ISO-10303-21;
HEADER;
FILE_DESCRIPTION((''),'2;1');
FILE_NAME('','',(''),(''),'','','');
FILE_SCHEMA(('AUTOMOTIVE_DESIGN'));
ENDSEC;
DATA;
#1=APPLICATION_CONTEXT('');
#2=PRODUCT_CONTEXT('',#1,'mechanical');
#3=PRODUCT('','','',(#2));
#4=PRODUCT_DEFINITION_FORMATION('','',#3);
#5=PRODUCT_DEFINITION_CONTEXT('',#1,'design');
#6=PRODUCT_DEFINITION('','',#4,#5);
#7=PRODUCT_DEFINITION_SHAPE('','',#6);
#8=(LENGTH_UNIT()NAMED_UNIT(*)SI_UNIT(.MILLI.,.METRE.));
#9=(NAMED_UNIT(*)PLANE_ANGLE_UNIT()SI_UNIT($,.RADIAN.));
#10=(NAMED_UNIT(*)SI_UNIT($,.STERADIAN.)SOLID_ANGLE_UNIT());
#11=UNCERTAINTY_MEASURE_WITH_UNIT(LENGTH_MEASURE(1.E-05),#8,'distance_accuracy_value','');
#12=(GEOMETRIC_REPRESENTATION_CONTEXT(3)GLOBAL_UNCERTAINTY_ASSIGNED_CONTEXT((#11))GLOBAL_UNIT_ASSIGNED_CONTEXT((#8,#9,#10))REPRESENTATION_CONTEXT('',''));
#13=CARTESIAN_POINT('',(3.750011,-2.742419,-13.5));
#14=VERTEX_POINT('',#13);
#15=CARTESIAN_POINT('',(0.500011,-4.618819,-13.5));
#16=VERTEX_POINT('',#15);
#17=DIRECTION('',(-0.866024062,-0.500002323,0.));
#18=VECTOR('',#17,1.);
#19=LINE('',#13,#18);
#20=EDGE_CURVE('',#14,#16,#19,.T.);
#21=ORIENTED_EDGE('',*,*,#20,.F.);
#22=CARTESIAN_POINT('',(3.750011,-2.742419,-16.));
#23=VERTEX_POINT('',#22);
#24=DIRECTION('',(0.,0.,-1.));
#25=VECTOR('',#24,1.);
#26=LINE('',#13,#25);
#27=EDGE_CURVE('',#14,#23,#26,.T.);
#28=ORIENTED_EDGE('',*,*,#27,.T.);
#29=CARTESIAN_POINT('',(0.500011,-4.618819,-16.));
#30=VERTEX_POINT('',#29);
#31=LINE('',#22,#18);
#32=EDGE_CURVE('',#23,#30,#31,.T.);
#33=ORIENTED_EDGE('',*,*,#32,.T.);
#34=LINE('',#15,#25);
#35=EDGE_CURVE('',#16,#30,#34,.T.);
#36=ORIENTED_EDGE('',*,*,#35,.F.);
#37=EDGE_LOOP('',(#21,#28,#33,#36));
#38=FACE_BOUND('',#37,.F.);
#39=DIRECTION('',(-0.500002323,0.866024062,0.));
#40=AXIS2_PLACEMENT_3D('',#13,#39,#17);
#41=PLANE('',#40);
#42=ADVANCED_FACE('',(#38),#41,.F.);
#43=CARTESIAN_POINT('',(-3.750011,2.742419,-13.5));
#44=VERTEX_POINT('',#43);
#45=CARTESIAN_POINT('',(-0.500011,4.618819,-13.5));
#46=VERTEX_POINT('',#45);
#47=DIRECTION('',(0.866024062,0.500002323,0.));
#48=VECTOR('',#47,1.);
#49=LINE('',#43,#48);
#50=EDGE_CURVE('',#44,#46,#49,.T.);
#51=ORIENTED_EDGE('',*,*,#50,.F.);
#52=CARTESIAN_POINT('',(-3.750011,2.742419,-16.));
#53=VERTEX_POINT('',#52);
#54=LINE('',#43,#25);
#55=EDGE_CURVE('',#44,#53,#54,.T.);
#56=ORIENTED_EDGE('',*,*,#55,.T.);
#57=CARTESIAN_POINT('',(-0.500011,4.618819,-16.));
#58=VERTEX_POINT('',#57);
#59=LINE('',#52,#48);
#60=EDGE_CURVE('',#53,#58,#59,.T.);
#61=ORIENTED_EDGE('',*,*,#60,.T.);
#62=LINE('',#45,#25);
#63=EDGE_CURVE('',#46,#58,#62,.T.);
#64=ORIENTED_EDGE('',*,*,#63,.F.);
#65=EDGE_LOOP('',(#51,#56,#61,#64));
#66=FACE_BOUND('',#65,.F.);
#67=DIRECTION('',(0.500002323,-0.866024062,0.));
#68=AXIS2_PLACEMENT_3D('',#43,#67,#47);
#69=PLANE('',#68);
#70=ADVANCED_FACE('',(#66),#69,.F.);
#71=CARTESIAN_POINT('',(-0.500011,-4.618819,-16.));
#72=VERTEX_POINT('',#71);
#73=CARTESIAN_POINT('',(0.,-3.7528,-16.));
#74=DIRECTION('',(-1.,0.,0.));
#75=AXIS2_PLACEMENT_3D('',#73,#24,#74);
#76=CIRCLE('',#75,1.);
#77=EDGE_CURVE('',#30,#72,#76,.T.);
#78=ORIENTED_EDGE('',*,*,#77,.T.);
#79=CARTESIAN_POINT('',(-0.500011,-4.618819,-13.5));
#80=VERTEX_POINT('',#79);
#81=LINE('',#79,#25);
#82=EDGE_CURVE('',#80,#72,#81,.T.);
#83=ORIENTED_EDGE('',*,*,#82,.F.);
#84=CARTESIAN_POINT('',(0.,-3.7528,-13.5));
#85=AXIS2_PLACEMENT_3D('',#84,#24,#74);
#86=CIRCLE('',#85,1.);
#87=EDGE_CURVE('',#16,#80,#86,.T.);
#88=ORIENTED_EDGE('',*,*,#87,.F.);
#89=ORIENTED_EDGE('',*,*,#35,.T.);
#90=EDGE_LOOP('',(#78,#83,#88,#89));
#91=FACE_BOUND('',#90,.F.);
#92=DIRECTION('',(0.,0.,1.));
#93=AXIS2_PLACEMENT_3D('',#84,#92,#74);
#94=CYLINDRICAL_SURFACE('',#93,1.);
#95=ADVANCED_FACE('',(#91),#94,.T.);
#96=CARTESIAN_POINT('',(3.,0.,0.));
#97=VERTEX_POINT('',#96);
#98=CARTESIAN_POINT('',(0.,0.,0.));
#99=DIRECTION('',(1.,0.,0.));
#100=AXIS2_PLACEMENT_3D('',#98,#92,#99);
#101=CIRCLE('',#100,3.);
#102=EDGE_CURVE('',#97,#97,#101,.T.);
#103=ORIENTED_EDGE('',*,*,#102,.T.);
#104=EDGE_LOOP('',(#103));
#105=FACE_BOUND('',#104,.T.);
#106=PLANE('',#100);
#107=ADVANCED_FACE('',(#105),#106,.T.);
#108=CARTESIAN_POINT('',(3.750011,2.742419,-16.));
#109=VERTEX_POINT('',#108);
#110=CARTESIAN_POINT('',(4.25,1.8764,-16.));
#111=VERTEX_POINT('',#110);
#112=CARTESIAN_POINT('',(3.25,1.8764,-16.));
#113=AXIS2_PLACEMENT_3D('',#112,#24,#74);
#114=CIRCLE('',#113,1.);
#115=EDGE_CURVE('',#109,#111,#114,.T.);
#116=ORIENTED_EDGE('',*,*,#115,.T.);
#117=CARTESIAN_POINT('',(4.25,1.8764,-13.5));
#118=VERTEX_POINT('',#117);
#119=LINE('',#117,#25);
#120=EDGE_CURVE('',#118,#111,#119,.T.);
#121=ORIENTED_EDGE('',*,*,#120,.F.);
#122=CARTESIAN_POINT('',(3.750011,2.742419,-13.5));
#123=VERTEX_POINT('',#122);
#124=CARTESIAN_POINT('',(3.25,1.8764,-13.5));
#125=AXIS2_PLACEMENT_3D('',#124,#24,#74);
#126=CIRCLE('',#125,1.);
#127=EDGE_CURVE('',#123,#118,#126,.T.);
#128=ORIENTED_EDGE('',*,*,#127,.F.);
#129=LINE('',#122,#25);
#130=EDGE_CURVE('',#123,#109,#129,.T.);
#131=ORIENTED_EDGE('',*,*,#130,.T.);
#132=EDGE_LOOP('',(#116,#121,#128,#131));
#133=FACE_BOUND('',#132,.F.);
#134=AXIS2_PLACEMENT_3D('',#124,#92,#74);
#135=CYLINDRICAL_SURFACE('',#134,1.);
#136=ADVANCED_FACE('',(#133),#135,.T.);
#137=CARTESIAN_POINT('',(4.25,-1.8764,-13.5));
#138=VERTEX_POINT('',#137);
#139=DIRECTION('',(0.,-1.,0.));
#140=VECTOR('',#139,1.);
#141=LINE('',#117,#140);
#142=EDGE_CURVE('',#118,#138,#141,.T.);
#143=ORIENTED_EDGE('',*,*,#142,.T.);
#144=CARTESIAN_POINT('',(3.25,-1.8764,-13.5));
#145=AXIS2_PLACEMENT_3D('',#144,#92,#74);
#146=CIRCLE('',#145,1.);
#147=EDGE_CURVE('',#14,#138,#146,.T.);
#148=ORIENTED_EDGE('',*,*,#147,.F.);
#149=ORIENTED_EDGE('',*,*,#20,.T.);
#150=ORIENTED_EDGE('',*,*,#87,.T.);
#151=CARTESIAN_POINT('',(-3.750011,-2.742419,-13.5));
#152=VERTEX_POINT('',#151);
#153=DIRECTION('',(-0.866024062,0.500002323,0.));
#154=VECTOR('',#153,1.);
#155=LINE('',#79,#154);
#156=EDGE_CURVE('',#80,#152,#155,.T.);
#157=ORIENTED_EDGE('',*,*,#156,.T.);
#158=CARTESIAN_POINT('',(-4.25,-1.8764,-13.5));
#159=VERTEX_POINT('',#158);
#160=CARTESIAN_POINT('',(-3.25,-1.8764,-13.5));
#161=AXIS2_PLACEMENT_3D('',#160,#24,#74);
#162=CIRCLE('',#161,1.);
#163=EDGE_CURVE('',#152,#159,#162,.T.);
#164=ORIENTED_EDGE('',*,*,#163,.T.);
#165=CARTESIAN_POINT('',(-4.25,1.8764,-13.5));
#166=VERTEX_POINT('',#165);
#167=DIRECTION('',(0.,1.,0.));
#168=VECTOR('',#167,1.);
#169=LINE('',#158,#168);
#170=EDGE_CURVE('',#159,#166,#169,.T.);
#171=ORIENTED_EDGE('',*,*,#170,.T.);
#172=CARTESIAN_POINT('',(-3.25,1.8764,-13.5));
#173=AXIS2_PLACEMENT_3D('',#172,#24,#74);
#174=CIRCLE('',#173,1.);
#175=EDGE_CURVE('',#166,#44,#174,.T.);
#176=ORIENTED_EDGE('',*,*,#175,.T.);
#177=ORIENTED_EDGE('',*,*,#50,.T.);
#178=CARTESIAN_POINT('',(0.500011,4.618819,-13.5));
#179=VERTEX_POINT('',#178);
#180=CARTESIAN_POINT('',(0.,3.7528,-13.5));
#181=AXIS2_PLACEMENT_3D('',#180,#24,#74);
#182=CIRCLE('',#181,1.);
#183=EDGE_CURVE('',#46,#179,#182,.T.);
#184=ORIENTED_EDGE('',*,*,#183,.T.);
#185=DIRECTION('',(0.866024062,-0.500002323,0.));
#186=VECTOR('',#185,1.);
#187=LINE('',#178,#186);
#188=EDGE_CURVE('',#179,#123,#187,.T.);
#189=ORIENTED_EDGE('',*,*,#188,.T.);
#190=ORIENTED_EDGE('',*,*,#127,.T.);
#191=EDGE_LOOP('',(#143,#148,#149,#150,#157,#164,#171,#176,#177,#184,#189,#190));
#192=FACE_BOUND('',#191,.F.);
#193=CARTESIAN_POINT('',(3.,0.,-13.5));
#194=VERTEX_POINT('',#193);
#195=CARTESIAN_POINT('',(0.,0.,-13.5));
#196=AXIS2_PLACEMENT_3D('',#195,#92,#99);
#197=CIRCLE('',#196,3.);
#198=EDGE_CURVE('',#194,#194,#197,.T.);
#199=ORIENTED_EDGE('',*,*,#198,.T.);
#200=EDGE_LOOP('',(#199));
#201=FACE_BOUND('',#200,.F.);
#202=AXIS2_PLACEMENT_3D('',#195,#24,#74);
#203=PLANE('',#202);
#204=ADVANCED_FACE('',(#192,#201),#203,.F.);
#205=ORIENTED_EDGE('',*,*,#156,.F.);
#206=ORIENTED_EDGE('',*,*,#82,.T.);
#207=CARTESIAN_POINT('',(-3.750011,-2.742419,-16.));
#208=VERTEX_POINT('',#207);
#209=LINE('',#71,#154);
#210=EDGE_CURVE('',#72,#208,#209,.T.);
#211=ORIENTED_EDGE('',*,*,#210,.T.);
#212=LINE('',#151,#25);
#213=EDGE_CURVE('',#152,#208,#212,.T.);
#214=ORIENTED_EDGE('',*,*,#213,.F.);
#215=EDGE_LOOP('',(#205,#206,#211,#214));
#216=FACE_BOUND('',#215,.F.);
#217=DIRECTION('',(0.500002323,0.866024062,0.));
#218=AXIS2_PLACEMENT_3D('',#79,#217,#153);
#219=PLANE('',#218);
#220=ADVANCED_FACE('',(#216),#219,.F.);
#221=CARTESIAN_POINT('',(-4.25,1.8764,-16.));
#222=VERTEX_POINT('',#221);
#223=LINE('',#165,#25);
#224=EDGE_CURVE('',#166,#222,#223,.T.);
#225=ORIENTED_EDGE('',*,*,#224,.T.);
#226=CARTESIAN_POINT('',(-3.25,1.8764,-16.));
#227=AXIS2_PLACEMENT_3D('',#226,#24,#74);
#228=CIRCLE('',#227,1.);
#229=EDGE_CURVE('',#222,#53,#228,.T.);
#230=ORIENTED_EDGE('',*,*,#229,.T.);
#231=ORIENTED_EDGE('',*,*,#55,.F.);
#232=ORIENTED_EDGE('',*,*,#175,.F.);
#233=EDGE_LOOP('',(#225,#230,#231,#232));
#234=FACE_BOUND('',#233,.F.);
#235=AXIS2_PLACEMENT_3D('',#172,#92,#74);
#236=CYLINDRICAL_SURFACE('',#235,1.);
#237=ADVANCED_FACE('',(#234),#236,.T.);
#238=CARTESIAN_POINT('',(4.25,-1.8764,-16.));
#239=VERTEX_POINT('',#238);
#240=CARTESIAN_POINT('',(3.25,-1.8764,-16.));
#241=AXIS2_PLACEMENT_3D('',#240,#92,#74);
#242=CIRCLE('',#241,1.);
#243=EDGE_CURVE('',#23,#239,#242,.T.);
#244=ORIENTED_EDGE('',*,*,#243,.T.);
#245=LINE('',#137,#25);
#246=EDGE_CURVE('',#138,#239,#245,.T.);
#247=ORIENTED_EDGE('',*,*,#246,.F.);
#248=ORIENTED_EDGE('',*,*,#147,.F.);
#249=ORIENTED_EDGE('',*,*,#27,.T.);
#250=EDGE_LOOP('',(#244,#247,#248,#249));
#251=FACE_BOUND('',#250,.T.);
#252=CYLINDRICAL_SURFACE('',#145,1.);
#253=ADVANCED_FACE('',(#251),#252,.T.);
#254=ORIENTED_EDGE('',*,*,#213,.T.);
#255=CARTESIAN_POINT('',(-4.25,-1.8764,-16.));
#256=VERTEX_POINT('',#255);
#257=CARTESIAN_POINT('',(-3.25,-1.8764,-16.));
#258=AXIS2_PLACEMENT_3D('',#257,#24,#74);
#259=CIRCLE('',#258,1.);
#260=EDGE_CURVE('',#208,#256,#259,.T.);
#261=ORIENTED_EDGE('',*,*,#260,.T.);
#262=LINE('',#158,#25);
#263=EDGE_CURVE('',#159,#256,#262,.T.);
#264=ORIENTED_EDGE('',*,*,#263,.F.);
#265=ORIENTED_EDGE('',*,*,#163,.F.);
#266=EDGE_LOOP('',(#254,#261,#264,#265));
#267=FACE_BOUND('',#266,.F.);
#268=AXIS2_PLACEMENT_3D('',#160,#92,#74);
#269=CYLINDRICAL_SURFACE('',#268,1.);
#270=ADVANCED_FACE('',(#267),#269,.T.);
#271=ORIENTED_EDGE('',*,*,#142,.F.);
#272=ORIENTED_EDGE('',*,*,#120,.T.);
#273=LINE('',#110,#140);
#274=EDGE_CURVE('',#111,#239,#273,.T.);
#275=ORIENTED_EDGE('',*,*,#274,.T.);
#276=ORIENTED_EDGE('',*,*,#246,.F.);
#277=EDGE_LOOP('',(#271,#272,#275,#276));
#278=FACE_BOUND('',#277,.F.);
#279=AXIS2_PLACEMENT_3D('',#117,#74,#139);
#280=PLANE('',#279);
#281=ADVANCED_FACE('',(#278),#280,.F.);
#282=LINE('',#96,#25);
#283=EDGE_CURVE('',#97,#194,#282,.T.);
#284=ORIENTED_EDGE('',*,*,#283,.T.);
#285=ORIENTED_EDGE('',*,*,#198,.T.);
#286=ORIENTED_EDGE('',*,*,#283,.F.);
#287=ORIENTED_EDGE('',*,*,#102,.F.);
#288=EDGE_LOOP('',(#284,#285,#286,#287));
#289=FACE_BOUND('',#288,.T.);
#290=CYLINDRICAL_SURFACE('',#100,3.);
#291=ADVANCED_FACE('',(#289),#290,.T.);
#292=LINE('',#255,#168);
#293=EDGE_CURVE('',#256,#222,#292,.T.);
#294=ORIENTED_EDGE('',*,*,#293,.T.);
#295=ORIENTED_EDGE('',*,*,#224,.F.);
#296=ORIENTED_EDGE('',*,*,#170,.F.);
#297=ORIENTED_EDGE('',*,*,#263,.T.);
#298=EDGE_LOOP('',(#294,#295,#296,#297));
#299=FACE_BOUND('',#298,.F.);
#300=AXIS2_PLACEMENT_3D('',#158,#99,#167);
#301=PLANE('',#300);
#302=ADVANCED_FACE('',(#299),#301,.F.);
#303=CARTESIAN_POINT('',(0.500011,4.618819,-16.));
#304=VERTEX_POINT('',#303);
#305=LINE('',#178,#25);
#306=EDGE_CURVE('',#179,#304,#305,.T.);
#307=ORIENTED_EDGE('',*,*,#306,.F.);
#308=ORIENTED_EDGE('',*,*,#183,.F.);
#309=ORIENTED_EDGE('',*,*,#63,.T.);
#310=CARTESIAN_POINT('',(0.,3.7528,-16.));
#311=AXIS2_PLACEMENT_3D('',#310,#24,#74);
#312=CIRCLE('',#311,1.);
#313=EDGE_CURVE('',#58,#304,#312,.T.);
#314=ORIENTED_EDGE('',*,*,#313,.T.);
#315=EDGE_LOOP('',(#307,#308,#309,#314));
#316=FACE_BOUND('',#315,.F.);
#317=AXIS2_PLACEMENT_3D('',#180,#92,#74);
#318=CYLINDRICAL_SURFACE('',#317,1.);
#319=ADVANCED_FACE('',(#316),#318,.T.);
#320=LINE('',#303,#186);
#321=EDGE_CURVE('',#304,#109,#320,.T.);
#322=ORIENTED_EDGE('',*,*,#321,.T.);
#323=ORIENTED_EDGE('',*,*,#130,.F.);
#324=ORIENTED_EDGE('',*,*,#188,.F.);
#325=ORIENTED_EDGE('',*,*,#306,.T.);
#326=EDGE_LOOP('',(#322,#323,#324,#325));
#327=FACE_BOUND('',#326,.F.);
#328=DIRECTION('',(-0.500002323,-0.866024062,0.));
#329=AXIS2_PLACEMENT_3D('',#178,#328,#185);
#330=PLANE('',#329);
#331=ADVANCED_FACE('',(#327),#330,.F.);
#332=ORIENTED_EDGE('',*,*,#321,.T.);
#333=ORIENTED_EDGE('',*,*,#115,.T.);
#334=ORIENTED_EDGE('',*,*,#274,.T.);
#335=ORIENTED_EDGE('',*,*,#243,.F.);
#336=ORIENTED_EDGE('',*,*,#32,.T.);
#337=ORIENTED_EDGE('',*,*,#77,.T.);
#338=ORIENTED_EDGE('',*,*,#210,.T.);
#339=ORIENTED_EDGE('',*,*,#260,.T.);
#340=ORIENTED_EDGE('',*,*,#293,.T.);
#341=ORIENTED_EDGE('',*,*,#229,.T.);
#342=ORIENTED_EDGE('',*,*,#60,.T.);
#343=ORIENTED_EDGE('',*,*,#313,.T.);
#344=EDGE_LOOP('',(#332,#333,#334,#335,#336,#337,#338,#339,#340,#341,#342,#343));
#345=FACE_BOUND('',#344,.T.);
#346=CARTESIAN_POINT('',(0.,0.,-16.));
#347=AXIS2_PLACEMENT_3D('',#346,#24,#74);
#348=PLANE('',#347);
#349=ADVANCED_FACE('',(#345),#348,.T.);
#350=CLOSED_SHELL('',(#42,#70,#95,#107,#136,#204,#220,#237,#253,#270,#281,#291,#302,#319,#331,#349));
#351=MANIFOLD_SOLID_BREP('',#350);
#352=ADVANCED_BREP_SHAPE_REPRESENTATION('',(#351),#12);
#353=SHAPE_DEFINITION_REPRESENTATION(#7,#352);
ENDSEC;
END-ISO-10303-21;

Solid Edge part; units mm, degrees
sketch "Sketch1" plane through (0, 0, 0) normal (0, 0, 1) x (1, 0, 0)
  circle A0 centre (0, 0) radius 3
extrude "Protrusion1" add sketch "Sketch1" against normal blind 13.5
sketch "Sketch2" plane through (0, 0, -13.5) normal (0, 0, -1) x (-1, 0, 0)
  line L0 (-3.75, -2.7424) -> (-0.5, -4.6188)
  arc A0 (-0.5, -4.6188) -> (0.5, -4.6188) centre (0, -3.7528) ccw
  line L1 (0.5, -4.6188) -> (3.75, -2.7424)
  arc A1 (3.75, -2.7424) -> (4.25, -1.8764) centre (3.25, -1.8764) ccw
  line L2 (4.25, -1.8764) -> (4.25, 1.8764)
  arc A2 (4.25, 1.8764) -> (3.75, 2.7424) centre (3.25, 1.8764) ccw
  line L3 (3.75, 2.7424) -> (0.5, 4.6188)
  arc A3 (0.5, 4.6188) -> (-0.5, 4.6188) centre (0, 3.7528) ccw
  line L4 (-0.5, 4.6188) -> (-3.75, 2.7424)
  arc A4 (-3.75, 2.7424) -> (-4.25, 1.8764) centre (-3.25, 1.8764) ccw
  line L5 (-4.25, 1.8764) -> (-4.25, -1.8764)
  arc A5 (-3.75, -2.7424) -> (-4.25, -1.8764) centre (-3.25, -1.8764) cw
extrude "ExtrudedProtrusion_2" add sketch "Sketch2" along normal blind 2.5
